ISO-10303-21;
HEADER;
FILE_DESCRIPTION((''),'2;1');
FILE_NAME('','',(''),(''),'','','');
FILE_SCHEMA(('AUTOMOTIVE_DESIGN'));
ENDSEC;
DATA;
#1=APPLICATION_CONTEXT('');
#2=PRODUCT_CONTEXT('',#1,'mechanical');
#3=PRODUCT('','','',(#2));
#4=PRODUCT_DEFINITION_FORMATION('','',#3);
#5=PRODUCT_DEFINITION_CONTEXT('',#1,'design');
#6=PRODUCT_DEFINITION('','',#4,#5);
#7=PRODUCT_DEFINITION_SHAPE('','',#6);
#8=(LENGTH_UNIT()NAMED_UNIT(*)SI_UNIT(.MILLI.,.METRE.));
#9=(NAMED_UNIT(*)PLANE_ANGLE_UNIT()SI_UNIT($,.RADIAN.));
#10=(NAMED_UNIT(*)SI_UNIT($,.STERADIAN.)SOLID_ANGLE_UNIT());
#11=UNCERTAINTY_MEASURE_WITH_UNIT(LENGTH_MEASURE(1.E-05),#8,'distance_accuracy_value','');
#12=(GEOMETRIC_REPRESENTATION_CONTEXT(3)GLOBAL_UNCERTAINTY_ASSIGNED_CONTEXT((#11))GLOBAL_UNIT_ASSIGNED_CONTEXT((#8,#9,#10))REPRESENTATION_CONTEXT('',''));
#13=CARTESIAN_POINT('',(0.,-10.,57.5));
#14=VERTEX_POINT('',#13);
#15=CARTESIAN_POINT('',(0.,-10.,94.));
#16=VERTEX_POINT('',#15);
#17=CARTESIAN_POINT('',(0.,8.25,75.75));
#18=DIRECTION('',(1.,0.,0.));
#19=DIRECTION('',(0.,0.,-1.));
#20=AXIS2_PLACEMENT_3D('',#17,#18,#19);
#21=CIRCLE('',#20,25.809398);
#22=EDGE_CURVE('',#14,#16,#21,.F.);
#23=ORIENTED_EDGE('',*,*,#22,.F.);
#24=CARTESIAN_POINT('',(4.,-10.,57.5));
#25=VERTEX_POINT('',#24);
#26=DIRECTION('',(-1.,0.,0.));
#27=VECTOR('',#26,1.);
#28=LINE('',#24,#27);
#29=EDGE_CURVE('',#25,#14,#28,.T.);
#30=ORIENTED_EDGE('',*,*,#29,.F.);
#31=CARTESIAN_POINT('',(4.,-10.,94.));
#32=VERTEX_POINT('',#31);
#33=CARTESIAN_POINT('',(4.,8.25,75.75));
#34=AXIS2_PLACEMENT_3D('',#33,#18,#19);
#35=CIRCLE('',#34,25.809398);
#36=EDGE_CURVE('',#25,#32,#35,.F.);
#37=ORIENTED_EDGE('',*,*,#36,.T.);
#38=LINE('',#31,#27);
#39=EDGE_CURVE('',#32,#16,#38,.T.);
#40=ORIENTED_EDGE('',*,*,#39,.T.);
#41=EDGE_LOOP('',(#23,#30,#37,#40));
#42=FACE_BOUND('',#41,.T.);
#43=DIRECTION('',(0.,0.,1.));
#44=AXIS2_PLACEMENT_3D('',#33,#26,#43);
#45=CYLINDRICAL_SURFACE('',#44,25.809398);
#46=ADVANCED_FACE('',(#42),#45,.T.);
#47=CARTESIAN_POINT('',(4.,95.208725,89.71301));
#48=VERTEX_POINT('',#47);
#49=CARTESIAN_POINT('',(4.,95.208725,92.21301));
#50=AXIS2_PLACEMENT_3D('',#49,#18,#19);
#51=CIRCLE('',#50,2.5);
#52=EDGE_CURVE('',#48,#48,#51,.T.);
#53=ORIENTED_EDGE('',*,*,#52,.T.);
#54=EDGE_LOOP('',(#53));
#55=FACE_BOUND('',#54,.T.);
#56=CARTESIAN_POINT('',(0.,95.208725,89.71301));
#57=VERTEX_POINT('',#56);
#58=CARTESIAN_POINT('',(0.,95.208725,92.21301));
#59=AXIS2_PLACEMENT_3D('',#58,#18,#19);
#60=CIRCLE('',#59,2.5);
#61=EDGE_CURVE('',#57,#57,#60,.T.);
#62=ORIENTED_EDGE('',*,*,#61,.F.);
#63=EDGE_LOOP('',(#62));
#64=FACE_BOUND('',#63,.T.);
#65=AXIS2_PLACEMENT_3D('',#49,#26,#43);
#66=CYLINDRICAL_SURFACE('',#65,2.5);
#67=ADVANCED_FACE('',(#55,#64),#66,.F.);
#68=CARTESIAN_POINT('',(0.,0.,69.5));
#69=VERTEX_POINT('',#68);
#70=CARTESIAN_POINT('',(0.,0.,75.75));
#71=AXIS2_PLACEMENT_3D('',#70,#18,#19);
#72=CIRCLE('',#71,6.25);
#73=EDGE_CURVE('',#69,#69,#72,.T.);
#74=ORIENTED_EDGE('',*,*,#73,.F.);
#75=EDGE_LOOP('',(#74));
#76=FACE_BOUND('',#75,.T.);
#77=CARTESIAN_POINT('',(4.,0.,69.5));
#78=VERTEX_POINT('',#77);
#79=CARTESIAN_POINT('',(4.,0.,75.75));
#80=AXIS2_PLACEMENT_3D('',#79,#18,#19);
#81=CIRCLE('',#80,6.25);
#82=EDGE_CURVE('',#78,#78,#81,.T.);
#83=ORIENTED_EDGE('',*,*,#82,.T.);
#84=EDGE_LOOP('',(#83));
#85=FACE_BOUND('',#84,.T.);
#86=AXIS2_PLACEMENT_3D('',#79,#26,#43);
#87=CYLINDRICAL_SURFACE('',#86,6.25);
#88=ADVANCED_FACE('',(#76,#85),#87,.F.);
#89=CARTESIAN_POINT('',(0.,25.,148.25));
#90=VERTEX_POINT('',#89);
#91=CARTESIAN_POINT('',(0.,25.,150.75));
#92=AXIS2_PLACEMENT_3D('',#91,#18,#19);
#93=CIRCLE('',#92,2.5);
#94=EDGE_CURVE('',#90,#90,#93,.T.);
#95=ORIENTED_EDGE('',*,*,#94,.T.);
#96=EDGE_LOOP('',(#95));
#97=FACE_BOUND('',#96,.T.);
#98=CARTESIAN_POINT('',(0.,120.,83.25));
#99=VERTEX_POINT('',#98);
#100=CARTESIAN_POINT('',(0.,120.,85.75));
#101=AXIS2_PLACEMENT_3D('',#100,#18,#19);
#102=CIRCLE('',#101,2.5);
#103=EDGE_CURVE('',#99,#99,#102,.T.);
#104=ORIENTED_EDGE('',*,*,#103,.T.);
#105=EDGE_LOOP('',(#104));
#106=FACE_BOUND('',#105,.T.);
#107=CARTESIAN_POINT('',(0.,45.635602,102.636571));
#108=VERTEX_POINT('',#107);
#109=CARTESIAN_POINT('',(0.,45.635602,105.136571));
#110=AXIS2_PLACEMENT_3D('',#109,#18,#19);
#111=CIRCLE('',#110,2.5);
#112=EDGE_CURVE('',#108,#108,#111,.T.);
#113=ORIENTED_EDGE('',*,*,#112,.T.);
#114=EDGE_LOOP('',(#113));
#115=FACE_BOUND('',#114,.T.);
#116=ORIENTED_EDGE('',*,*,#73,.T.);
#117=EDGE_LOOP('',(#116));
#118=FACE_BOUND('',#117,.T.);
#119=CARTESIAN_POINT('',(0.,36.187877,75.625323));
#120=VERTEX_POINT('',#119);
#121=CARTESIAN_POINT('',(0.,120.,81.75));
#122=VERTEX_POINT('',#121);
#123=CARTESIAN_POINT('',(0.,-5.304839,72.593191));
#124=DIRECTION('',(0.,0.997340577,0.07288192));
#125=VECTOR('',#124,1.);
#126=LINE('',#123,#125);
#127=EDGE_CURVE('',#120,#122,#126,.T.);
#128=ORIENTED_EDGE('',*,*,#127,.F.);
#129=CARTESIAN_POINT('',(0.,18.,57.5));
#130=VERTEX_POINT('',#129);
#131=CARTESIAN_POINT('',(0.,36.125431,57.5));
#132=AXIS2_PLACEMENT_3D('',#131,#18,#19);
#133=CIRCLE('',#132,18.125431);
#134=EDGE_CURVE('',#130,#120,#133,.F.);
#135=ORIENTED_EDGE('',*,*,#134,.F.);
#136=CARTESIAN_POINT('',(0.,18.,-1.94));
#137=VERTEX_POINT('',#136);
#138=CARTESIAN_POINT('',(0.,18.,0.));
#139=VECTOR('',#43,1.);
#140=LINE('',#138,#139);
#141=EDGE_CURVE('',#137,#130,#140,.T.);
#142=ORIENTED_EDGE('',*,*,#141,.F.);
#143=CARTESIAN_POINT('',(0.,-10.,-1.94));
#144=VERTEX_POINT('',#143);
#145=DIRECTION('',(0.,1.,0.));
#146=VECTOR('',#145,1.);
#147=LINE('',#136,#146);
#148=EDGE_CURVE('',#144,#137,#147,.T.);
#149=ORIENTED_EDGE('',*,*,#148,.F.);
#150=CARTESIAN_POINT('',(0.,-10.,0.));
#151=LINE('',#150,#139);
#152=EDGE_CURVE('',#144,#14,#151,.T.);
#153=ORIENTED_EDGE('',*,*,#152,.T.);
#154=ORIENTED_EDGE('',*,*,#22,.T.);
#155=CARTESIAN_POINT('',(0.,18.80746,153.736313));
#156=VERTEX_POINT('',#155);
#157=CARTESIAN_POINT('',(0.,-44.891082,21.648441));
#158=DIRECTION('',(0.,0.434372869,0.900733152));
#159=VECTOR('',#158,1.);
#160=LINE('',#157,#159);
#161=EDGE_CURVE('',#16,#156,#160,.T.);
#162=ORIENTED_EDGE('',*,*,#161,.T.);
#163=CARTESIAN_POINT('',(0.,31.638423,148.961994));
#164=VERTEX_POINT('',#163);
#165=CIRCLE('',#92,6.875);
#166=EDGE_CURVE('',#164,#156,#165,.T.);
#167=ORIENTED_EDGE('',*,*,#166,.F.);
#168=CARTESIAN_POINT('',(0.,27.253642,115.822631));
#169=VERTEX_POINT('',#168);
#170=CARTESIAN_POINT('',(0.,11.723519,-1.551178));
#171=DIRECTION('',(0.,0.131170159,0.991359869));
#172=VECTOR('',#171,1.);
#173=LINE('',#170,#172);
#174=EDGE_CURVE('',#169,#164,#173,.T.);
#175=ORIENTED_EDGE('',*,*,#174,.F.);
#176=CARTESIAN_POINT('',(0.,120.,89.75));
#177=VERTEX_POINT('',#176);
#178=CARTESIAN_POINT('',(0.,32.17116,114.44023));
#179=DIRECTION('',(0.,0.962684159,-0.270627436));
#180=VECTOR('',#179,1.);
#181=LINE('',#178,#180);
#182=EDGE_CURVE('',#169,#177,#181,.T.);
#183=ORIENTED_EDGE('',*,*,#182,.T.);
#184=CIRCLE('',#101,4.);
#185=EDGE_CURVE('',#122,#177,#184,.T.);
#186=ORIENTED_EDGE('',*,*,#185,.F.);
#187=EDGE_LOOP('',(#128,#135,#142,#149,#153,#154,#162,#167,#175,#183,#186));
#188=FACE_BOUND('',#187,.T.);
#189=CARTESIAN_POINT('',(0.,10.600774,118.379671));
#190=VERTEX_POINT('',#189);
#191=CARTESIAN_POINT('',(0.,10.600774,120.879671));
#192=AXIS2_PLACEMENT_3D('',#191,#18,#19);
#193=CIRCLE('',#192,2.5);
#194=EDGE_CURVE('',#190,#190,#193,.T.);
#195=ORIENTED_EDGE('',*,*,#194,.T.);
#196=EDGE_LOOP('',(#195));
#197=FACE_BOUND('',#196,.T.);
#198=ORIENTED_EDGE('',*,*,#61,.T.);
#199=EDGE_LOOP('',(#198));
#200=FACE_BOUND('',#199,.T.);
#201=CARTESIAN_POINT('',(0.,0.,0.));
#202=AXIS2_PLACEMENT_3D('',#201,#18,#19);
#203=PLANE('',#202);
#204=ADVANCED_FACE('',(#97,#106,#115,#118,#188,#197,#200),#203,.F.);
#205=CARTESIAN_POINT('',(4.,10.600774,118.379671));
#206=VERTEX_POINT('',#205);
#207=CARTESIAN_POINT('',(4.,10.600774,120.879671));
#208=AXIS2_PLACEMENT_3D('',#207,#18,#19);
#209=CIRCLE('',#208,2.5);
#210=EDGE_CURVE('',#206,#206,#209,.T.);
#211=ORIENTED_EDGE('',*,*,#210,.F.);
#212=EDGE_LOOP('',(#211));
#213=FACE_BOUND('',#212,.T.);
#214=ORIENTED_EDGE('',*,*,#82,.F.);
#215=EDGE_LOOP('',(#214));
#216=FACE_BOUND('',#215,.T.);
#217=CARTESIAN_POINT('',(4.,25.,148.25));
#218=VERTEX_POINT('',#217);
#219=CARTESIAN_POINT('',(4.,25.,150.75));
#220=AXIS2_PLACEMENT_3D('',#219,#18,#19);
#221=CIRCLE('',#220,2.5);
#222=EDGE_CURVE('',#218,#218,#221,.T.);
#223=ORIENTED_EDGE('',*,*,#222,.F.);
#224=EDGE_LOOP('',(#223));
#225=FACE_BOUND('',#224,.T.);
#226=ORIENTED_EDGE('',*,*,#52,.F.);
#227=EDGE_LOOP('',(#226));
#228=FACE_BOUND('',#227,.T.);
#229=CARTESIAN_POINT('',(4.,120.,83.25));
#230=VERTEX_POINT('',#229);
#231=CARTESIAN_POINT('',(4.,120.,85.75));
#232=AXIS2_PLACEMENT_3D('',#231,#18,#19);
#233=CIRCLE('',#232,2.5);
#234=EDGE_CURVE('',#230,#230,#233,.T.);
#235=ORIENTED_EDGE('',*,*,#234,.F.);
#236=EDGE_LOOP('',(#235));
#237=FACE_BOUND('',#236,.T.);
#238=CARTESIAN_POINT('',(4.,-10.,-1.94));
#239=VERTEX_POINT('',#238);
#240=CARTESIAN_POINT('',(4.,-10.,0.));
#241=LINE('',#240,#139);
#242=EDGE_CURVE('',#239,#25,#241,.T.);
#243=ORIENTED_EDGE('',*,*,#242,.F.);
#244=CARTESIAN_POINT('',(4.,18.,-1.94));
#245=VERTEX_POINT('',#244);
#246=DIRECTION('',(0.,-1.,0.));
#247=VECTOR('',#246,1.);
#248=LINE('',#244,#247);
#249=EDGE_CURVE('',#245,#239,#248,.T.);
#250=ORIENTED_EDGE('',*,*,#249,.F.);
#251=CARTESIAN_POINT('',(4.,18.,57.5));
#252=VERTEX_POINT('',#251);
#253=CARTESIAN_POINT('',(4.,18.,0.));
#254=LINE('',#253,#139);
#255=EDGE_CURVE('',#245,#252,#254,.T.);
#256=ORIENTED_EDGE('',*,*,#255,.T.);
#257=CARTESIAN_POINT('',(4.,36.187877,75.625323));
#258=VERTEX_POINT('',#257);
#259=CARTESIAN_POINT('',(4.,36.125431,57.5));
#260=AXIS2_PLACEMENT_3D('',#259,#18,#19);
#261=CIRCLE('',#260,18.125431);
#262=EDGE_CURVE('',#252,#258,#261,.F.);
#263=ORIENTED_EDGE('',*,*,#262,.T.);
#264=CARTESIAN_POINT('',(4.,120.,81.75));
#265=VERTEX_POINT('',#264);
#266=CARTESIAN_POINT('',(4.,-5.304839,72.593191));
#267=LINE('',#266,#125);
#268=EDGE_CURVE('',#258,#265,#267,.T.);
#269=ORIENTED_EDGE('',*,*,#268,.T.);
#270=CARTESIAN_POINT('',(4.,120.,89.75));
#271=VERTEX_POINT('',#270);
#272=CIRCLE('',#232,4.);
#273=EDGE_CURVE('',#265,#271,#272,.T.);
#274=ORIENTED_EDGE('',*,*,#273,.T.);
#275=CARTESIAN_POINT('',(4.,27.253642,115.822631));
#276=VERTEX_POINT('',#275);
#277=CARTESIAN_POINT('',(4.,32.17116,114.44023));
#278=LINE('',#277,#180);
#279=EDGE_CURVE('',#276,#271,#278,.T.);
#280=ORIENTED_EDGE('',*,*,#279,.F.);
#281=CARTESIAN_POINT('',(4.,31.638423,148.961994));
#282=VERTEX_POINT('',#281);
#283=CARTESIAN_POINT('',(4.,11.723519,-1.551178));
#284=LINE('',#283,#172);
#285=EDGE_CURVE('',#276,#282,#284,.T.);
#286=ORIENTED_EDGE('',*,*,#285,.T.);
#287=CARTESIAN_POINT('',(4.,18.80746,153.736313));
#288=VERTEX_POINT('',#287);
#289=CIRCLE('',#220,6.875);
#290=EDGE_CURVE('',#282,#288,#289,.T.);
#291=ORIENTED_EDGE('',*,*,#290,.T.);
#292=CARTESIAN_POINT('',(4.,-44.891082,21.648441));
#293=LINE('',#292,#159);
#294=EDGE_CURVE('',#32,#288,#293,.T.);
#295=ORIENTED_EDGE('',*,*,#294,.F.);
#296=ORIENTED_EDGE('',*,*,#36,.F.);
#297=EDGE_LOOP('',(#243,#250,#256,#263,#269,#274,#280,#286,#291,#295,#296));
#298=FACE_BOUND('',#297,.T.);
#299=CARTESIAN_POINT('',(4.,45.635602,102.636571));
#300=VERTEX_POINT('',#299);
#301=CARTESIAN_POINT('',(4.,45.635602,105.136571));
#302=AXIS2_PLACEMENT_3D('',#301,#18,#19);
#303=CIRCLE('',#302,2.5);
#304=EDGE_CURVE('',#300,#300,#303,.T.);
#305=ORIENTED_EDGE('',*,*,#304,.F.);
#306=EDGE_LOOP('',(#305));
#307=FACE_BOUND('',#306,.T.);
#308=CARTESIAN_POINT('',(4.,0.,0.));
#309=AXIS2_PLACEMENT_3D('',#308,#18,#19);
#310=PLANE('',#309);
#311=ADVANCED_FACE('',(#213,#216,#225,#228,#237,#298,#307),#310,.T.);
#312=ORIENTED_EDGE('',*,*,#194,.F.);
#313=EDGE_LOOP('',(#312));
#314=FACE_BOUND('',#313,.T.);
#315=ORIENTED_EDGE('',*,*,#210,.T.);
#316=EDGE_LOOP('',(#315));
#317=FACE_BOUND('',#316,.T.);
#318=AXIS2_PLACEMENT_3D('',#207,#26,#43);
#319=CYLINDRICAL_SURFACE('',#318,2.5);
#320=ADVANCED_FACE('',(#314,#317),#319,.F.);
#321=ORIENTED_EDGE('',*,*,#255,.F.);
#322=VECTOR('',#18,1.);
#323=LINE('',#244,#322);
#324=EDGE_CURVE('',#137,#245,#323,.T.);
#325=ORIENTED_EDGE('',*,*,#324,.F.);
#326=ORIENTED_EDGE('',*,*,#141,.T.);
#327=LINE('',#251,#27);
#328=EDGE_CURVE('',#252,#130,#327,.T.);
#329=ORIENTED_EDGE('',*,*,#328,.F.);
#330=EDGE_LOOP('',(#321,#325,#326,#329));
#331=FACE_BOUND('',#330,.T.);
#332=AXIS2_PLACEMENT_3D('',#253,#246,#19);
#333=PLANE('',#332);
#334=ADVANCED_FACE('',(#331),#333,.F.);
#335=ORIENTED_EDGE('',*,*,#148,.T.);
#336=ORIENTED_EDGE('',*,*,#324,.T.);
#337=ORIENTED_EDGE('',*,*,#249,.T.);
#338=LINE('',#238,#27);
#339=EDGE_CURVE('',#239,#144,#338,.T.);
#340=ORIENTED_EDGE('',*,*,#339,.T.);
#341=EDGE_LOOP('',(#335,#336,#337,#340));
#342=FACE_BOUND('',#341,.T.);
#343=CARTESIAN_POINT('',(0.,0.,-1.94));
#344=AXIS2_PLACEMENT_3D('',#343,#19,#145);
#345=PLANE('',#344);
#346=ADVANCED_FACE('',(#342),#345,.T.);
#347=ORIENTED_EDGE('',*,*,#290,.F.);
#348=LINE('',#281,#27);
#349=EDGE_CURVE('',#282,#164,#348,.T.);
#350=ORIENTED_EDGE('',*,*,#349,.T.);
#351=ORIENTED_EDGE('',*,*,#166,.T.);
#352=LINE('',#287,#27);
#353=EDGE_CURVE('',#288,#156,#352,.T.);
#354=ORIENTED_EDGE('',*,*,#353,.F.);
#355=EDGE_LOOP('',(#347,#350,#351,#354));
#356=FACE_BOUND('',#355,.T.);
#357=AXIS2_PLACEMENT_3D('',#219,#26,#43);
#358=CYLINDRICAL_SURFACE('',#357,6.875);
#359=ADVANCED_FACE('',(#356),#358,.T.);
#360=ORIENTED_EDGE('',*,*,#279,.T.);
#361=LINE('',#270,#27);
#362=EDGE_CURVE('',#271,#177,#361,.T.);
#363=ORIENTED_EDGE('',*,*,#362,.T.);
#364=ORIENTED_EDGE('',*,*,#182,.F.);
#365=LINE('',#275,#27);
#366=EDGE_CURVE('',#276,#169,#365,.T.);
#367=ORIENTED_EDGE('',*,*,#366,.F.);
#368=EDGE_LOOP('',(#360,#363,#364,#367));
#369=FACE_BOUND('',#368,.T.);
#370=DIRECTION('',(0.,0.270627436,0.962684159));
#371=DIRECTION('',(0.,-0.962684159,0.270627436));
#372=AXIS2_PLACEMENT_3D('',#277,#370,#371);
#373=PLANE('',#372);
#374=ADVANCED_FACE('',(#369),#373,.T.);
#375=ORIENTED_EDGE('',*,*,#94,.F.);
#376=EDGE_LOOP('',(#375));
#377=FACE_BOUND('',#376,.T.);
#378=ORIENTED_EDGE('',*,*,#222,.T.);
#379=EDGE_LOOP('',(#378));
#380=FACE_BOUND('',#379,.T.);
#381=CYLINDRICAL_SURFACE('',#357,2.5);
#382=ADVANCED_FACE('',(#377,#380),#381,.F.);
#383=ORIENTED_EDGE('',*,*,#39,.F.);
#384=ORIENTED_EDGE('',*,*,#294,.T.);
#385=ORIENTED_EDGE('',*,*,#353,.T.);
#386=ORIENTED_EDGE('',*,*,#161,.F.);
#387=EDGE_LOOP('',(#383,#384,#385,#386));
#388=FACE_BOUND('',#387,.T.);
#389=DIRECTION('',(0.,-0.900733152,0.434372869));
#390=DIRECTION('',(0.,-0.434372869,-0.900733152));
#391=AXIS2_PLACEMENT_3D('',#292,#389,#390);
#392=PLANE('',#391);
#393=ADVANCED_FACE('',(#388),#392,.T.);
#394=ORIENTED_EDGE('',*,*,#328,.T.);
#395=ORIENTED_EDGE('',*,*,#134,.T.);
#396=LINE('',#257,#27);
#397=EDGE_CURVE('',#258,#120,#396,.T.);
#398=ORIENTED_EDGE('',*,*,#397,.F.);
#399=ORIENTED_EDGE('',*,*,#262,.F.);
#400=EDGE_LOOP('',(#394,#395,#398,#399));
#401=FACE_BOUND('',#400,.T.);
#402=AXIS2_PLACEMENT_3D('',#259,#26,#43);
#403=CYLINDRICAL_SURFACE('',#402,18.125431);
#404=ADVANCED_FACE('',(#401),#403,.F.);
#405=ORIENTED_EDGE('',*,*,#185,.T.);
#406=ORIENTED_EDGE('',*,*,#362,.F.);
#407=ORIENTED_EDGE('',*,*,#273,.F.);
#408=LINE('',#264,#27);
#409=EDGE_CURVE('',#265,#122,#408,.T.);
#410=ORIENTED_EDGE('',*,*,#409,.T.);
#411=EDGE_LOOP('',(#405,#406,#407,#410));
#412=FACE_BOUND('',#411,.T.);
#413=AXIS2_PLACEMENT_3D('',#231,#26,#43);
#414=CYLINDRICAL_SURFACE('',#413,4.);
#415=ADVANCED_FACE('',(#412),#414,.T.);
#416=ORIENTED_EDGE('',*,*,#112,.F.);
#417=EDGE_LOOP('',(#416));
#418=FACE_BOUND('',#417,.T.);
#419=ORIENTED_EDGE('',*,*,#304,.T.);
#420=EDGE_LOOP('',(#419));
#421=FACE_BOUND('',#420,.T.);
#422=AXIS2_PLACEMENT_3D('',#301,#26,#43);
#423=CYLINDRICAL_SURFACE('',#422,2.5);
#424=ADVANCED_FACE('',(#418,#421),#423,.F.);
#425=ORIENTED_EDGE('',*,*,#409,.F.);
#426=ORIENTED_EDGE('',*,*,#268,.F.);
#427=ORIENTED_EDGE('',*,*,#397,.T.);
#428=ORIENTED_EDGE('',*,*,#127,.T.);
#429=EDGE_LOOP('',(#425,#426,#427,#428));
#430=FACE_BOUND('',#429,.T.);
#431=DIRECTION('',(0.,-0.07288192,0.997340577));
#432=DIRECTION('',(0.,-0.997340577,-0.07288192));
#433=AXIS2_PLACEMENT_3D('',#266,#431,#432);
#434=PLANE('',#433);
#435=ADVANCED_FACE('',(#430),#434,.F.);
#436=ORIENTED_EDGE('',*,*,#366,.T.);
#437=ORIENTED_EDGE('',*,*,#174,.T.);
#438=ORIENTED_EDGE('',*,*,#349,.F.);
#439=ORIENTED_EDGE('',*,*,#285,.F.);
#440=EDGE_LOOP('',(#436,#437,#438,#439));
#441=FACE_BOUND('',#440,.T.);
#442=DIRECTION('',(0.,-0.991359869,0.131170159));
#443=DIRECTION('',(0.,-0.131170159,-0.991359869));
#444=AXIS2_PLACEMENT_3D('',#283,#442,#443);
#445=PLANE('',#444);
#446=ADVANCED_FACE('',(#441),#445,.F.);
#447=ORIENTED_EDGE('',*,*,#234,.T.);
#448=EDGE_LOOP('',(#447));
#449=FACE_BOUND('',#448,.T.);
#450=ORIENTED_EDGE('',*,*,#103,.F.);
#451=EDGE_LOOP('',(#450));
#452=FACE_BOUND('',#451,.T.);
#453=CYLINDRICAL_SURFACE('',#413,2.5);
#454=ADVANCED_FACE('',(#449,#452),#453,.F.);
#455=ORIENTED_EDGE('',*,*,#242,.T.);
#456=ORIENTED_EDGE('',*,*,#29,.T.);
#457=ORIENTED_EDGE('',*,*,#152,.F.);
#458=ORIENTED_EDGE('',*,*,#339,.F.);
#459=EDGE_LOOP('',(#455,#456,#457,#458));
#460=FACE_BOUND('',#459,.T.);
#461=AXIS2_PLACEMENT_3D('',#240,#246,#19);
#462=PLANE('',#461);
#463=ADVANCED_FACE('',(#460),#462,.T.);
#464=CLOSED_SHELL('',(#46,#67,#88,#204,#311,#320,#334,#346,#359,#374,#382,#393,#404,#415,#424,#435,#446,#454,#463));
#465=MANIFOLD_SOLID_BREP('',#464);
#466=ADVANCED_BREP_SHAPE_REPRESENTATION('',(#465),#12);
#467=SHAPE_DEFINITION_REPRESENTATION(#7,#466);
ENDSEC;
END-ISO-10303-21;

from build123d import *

# Parameters (mm, degrees)
SKETCH1_R           = 2.5
SKETCH1_R_2         = 6.25
BOSS_EXTRUDE1_DEPTH = 4
SKETCH2_W           = 4
SKETCH2_H           = 28
BOSS_EXTRUDE2_DEPTH = 1.94


with BuildPart() as part:
    # Sketch1 → Boss-Extrude1 (new body)
    with BuildSketch(Plane(origin=(0, 0, 0), x_dir=(0, 0, -1), z_dir=(1, 0, 0))):
        with BuildLine():
            ThreePointArc((-57.5, 18), (-70.338674346, 23.330913022), (-75.625323458, 36.187877429))
            Line((-75.625323458, 36.187877429), (-81.75, 120))
            ThreePointArc((-81.75, 120), (-85.75, 124), (-89.75, 120))
            Line((-89.75, 120), (-115.82263113, 27.253642352))
            Line((-115.82263113, 27.253642352), (-148.961993572, 31.638422856))
            ThreePointArc((-148.961993572, 31.638422856), (-157.193398915, 27.397547793), (-153.736313474, 18.807459581))
            Line((-153.736313474, 18.807459581), (-94, -10))
            ThreePointArc((-94, -10), (-75.75, -17.559397513), (-57.5, -10))
            Line((-57.5, -10), (0, -10))
            Line((0, -10), (0, 18))
            Line((0, 18), (-57.5, 18))
        make_face()
        with Locations((-150.75, 25)):
            Circle(SKETCH1_R, mode=Mode.SUBTRACT)
        with Locations((-120.879671399, 10.600773875)):
            Circle(SKETCH1_R, mode=Mode.SUBTRACT)
        with Locations((-75.75, 0)):
            Circle(SKETCH1_R_2, mode=Mode.SUBTRACT)
        with Locations((-105.136571318, 45.63560228)):
            Circle(SKETCH1_R, mode=Mode.SUBTRACT)
        with Locations((-92.213009764, 95.208724602)):
            Circle(SKETCH1_R, mode=Mode.SUBTRACT)
        with Locations((-85.75, 120)):
            Circle(SKETCH1_R, mode=Mode.SUBTRACT)
    extrude(amount=BOSS_EXTRUDE1_DEPTH)

    # Sketch2 → Boss-Extrude2 (add)
    with BuildSketch(Plane(origin=(0, 0, 0), x_dir=(-1, 0, 0), z_dir=(0, 0, -1))):
        with Locations((-2, 4)):
            Rectangle(SKETCH2_W, SKETCH2_H)
    extrude(amount=BOSS_EXTRUDE2_DEPTH)


solid = part.part
